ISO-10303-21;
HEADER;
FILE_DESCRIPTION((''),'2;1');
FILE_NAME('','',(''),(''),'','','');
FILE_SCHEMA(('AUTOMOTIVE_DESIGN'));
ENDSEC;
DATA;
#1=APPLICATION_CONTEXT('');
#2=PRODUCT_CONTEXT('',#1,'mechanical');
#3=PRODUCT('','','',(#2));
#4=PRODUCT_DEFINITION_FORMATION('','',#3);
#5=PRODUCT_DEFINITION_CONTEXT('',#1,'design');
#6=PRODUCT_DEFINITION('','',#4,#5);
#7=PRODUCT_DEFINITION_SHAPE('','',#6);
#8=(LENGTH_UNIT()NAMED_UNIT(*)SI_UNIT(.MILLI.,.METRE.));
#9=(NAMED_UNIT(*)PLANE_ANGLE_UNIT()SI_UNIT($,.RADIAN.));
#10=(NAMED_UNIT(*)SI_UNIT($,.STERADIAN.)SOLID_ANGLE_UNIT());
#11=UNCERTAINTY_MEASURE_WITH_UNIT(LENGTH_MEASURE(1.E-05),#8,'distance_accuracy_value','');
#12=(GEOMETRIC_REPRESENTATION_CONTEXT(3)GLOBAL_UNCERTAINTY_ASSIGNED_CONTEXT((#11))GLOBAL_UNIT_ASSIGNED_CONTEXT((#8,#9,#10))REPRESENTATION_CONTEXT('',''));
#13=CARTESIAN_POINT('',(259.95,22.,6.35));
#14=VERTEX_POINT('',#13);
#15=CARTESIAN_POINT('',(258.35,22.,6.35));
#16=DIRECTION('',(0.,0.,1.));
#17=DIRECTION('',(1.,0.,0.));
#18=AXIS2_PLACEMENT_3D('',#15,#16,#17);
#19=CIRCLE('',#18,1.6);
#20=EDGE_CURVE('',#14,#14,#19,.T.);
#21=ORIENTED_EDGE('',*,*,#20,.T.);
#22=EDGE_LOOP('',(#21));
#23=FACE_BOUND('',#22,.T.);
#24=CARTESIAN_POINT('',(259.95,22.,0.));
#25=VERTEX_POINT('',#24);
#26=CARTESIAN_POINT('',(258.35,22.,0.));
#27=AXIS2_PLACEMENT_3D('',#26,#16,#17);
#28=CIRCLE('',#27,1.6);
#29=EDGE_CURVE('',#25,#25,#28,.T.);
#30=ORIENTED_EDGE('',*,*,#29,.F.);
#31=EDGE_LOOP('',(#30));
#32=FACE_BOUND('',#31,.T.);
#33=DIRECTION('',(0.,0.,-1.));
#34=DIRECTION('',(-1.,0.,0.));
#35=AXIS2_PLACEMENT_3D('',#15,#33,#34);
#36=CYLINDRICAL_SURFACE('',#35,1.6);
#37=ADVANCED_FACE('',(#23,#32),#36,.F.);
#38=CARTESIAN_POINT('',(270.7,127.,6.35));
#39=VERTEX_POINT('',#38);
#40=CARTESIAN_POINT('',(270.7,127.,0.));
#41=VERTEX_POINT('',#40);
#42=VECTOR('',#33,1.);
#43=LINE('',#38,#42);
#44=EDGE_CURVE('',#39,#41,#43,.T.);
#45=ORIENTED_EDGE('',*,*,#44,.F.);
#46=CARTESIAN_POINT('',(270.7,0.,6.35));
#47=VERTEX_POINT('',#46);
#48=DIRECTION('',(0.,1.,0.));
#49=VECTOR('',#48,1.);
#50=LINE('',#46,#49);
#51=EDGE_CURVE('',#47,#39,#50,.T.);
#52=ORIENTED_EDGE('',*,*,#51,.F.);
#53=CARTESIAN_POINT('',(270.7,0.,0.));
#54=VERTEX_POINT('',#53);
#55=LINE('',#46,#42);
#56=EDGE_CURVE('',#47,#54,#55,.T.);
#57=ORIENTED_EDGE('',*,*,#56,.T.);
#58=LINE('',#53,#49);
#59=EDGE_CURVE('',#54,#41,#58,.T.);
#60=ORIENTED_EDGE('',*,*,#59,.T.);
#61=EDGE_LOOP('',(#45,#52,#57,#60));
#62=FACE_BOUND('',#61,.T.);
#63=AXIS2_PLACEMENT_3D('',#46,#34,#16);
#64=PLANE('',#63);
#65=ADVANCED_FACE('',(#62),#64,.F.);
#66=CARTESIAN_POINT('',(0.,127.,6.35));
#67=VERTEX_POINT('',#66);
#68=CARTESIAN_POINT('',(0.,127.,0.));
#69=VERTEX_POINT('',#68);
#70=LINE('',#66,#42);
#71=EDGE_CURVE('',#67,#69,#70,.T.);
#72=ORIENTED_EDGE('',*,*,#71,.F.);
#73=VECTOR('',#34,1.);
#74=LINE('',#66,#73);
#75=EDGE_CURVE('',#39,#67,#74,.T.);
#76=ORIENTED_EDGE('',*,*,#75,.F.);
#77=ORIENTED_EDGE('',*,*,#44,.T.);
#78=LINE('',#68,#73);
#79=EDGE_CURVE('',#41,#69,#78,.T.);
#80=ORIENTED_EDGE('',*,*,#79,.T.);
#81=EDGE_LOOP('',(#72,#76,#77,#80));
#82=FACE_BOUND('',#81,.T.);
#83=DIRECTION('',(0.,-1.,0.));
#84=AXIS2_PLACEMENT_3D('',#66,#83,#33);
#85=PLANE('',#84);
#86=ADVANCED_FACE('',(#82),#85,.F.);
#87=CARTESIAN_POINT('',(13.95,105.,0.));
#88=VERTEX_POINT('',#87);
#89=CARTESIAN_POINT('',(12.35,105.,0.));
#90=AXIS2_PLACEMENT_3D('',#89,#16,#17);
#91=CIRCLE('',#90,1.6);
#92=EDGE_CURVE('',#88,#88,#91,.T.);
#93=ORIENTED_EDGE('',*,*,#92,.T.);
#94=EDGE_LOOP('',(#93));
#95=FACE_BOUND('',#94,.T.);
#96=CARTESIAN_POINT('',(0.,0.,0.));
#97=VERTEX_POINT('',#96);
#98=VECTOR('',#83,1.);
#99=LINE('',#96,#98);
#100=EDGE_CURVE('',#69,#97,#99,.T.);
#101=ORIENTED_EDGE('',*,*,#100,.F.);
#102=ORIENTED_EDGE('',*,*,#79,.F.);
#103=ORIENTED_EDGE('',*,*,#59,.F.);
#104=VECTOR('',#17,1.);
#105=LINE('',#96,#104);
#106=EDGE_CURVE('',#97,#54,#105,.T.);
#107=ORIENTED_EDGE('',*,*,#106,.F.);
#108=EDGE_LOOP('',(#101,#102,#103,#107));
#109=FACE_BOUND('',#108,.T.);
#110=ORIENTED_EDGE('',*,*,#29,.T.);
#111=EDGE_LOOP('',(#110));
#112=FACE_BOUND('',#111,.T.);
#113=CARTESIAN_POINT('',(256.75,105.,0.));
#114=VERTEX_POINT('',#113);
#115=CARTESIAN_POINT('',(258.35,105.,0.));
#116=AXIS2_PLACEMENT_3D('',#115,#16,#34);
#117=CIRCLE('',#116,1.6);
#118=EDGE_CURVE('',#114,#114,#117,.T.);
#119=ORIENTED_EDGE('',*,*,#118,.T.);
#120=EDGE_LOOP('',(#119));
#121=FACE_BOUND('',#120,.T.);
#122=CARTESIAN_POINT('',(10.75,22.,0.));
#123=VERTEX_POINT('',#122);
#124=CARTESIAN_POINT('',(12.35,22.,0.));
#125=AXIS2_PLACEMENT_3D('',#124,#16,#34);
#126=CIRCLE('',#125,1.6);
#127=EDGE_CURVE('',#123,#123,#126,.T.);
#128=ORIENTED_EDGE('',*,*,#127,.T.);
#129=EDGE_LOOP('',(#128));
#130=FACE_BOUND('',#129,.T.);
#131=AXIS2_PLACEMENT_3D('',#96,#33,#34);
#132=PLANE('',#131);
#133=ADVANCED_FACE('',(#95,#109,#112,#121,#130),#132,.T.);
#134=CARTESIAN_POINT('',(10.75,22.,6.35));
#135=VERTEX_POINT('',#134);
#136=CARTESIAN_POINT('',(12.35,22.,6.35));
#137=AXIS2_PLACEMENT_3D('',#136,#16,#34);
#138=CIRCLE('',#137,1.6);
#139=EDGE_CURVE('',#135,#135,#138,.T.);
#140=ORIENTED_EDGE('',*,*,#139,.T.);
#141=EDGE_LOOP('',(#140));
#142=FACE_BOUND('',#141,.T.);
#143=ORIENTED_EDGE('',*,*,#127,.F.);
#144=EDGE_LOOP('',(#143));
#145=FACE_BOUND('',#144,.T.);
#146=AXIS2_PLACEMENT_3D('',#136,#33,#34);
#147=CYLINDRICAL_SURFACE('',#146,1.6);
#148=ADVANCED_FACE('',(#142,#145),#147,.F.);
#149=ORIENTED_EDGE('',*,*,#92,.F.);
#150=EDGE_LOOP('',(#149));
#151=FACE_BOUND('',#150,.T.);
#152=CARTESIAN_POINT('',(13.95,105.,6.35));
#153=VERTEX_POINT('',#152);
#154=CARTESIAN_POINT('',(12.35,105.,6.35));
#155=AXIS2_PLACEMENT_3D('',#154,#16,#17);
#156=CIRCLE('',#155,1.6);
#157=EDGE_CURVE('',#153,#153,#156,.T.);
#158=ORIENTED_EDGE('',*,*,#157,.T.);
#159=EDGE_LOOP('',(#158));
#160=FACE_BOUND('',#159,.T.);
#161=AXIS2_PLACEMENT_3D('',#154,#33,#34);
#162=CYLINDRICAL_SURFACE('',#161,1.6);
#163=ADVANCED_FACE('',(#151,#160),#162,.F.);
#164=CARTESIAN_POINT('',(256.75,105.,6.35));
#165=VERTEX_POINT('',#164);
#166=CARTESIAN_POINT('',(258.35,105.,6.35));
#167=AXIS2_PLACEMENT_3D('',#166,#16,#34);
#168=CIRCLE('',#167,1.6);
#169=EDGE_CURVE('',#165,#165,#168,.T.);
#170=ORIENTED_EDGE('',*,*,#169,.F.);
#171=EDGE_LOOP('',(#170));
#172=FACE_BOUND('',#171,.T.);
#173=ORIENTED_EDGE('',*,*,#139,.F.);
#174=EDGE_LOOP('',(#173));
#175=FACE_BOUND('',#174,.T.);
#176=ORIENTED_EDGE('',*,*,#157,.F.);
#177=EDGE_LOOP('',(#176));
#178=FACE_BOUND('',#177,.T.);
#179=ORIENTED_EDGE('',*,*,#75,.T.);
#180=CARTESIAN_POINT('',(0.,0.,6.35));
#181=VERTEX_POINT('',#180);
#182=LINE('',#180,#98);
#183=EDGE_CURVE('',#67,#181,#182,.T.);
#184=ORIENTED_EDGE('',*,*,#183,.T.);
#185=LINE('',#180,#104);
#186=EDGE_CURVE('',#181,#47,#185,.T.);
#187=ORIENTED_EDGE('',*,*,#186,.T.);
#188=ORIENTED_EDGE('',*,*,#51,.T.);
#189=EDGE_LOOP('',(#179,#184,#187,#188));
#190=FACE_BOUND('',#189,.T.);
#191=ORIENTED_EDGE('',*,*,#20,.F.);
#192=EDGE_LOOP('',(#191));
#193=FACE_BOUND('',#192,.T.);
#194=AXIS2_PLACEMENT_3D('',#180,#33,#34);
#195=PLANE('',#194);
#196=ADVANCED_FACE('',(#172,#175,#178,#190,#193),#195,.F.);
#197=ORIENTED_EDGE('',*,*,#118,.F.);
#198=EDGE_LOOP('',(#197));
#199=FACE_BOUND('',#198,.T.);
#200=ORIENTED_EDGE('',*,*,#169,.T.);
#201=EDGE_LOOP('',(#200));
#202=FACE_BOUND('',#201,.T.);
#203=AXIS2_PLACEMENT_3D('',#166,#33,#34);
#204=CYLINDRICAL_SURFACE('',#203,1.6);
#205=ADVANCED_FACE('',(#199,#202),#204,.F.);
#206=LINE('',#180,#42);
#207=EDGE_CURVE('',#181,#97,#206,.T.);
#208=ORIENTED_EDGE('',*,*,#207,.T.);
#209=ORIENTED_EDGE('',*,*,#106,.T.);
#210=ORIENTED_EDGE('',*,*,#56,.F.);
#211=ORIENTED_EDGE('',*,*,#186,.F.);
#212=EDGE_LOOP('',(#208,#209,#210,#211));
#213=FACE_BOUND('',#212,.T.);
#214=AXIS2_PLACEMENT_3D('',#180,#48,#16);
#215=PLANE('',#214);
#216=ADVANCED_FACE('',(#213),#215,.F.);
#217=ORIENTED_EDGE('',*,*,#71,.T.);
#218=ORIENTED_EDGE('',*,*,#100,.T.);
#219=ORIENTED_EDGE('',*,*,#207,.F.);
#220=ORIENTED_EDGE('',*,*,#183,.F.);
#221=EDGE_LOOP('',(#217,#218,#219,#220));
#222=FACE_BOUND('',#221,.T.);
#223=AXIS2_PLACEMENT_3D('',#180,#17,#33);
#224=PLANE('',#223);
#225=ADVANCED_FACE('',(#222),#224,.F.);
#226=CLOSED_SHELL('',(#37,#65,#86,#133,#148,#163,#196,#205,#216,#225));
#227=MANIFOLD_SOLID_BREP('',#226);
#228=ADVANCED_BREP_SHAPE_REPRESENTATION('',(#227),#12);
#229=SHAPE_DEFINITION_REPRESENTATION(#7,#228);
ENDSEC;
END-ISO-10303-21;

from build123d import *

# Parameters (mm, degrees)
SKETCH1_W  = 270.7
SKETCH1_H  = 127
SKETCH1_R  = 1.6
WALL_DEPTH = 6.35


with BuildPart() as part:
    # Sketch1 → Wall (new body)
    with BuildSketch(Plane.XY):
        with Locations((135.35, 63.5)):
            Rectangle(SKETCH1_W, SKETCH1_H)
        with Locations((12.35, 105)):
            Circle(SKETCH1_R, mode=Mode.SUBTRACT)
        with Locations(Location((258.35, 105, 0), (0, 0, 180))):
            Circle(SKETCH1_R, mode=Mode.SUBTRACT)
        with Locations((258.35, 22)):
            Circle(SKETCH1_R, mode=Mode.SUBTRACT)
        with Locations(Location((12.35, 22, 0), (0, 0, 180))):
            Circle(SKETCH1_R, mode=Mode.SUBTRACT)
    extrude(amount=WALL_DEPTH)


solid = part.part
